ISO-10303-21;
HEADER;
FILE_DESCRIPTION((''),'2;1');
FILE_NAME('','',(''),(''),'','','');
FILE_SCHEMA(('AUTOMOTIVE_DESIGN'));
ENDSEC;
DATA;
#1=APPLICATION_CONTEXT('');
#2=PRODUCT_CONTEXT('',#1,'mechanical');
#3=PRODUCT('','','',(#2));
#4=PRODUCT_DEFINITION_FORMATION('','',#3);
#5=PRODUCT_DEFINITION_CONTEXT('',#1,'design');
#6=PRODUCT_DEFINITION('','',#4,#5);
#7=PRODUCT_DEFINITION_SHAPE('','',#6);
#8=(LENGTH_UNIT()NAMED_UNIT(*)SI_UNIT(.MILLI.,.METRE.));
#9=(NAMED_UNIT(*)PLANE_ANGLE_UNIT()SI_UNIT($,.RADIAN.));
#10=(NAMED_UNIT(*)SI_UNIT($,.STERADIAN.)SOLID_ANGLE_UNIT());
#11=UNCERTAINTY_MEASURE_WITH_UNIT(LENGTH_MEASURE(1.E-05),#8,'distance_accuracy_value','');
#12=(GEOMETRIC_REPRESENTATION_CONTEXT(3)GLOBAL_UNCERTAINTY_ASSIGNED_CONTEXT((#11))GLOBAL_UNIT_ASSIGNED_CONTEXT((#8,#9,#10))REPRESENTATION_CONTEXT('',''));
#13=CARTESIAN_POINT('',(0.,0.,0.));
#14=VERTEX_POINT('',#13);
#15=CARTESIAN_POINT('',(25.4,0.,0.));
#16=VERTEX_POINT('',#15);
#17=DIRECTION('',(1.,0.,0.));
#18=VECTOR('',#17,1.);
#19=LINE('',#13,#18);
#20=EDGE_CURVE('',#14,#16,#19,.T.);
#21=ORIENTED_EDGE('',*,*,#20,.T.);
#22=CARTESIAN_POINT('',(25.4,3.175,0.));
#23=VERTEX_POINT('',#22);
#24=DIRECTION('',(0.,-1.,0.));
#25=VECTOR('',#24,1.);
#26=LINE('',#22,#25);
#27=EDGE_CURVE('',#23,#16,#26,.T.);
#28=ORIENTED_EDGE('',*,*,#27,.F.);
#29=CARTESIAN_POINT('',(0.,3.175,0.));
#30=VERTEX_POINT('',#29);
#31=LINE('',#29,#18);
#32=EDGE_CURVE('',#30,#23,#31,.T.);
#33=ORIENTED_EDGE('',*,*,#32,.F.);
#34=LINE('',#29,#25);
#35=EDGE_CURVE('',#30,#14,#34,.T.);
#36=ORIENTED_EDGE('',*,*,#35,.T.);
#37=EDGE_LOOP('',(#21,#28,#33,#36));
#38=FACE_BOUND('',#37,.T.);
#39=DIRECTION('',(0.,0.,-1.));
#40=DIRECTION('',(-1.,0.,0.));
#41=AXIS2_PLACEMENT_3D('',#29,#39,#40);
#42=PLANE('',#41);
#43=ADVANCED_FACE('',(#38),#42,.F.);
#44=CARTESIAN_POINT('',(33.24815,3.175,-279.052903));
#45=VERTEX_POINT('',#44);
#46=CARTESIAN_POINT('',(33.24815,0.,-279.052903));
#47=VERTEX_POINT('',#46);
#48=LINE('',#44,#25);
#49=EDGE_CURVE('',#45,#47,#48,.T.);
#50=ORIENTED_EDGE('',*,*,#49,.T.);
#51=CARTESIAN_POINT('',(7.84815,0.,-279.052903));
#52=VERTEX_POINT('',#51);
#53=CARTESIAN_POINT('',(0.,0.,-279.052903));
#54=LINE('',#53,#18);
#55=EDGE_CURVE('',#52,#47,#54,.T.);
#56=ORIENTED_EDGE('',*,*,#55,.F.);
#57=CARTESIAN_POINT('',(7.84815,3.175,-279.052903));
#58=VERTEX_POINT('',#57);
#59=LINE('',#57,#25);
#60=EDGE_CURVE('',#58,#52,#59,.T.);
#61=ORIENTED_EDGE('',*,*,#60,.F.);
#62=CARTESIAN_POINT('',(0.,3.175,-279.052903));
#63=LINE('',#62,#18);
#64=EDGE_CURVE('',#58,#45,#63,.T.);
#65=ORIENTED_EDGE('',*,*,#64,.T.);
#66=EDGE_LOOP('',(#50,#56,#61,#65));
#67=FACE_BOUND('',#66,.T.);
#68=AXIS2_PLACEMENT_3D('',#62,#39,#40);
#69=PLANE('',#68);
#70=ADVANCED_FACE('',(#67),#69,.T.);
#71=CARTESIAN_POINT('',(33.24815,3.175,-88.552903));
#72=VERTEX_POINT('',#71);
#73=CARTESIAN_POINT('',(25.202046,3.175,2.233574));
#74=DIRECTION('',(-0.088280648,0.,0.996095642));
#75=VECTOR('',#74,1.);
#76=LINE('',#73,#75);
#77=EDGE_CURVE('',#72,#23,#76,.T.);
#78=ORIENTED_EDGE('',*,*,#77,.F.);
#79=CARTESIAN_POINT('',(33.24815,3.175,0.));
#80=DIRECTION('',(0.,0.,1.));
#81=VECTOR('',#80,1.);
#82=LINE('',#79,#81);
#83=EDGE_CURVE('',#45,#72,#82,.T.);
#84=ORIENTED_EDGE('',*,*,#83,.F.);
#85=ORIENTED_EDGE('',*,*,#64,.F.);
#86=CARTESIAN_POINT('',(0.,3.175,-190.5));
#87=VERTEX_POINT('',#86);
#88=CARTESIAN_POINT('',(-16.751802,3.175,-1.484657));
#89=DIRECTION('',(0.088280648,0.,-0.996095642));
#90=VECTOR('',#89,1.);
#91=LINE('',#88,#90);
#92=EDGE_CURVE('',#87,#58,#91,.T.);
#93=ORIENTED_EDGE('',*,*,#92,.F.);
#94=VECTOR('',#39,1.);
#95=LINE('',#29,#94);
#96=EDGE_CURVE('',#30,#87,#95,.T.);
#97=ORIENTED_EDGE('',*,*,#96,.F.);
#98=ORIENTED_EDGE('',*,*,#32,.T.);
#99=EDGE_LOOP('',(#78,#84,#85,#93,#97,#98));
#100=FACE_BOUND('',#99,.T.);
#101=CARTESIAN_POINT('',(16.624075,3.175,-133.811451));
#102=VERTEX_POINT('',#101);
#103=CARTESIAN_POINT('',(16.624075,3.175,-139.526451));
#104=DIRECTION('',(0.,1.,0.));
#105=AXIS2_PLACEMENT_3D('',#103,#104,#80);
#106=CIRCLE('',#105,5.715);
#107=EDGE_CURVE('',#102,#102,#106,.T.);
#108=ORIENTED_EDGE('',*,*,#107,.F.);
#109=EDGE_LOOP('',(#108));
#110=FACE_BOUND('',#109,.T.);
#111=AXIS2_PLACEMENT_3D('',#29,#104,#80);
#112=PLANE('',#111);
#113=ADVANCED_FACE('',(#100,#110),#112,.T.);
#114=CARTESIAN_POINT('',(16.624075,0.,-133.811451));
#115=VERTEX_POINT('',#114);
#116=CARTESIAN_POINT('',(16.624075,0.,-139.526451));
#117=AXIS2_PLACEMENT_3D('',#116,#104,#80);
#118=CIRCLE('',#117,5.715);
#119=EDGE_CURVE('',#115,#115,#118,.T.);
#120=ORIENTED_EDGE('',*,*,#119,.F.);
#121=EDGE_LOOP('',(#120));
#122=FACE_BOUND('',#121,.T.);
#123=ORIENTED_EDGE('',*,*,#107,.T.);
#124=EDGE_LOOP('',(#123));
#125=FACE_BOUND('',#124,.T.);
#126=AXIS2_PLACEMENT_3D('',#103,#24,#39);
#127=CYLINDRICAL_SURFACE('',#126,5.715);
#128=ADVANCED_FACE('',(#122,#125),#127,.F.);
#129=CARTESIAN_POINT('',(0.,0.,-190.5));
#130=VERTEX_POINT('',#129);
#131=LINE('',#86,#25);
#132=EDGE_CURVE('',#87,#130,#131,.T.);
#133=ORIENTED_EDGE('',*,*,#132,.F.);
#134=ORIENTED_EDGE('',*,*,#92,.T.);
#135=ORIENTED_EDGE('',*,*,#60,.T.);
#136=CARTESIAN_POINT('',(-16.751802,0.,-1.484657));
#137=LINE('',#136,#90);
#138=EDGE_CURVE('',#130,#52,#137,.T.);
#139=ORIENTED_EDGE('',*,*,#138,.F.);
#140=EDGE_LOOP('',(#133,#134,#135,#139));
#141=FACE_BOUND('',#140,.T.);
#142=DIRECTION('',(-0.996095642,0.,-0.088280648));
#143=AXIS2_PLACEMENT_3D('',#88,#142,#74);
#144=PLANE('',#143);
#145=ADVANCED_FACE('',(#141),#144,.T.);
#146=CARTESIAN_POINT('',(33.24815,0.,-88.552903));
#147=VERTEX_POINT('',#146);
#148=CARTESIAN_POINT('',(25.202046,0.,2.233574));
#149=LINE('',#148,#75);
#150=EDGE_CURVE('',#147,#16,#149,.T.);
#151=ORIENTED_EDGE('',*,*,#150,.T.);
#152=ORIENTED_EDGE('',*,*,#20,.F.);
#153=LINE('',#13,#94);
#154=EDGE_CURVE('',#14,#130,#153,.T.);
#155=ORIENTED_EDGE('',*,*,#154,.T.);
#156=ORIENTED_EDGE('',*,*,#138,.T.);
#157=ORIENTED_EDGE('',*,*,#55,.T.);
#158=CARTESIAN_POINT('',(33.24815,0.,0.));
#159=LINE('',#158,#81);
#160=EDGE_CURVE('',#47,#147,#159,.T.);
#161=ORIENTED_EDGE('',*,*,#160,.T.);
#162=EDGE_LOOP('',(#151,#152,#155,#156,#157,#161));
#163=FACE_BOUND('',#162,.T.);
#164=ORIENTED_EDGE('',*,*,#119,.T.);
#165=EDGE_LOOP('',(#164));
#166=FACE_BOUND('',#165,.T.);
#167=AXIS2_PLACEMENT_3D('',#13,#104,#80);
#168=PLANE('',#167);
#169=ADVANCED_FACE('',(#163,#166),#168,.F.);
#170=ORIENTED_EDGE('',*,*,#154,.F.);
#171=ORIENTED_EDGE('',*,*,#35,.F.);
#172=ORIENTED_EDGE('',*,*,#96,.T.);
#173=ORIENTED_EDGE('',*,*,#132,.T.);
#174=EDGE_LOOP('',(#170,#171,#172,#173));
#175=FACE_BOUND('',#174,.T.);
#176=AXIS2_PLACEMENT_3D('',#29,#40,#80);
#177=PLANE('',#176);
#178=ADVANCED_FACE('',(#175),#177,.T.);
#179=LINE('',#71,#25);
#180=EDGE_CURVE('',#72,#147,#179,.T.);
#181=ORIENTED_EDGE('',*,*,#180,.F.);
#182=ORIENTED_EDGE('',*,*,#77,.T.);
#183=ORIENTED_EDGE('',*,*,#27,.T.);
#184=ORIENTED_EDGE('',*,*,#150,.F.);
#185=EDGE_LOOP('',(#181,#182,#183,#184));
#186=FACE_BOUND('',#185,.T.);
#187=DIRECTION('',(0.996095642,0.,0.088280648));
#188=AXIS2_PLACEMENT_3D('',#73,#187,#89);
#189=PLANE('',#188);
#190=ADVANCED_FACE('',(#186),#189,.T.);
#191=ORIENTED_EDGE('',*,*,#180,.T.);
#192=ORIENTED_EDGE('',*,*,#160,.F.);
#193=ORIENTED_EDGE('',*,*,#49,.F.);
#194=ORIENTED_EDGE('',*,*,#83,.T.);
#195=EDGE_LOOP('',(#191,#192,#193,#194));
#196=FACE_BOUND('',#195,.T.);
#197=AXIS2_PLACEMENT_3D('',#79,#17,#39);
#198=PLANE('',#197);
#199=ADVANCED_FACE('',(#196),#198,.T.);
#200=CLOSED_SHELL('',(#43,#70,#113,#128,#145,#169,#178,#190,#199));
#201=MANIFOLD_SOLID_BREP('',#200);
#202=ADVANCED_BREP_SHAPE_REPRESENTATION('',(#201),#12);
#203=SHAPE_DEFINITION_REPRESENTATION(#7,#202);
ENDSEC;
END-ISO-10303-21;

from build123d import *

# Parameters (mm, degrees)
SKETCH1_R           = 5.715
BOSS_EXTRUDE1_DEPTH = 3.175


with BuildPart() as part:
    # Sketch1 → Boss-Extrude1 (new body)
    with BuildSketch(Plane(origin=(0, 0, 0), x_dir=(1, 0, 0), z_dir=(0, 1, 0))):
        Polygon((0, 0), (0, 190.5), (7.848149628, 279.052902535), (33.248149628, 279.052902535), (33.248149628, 88.552902535), (25.4, 0), align=None)
        with Locations(Location((16.624074814, 139.526451268, 0), (0, 0, 270))):
            Circle(SKETCH1_R, mode=Mode.SUBTRACT)
    extrude(amount=BOSS_EXTRUDE1_DEPTH)


solid = part.part
